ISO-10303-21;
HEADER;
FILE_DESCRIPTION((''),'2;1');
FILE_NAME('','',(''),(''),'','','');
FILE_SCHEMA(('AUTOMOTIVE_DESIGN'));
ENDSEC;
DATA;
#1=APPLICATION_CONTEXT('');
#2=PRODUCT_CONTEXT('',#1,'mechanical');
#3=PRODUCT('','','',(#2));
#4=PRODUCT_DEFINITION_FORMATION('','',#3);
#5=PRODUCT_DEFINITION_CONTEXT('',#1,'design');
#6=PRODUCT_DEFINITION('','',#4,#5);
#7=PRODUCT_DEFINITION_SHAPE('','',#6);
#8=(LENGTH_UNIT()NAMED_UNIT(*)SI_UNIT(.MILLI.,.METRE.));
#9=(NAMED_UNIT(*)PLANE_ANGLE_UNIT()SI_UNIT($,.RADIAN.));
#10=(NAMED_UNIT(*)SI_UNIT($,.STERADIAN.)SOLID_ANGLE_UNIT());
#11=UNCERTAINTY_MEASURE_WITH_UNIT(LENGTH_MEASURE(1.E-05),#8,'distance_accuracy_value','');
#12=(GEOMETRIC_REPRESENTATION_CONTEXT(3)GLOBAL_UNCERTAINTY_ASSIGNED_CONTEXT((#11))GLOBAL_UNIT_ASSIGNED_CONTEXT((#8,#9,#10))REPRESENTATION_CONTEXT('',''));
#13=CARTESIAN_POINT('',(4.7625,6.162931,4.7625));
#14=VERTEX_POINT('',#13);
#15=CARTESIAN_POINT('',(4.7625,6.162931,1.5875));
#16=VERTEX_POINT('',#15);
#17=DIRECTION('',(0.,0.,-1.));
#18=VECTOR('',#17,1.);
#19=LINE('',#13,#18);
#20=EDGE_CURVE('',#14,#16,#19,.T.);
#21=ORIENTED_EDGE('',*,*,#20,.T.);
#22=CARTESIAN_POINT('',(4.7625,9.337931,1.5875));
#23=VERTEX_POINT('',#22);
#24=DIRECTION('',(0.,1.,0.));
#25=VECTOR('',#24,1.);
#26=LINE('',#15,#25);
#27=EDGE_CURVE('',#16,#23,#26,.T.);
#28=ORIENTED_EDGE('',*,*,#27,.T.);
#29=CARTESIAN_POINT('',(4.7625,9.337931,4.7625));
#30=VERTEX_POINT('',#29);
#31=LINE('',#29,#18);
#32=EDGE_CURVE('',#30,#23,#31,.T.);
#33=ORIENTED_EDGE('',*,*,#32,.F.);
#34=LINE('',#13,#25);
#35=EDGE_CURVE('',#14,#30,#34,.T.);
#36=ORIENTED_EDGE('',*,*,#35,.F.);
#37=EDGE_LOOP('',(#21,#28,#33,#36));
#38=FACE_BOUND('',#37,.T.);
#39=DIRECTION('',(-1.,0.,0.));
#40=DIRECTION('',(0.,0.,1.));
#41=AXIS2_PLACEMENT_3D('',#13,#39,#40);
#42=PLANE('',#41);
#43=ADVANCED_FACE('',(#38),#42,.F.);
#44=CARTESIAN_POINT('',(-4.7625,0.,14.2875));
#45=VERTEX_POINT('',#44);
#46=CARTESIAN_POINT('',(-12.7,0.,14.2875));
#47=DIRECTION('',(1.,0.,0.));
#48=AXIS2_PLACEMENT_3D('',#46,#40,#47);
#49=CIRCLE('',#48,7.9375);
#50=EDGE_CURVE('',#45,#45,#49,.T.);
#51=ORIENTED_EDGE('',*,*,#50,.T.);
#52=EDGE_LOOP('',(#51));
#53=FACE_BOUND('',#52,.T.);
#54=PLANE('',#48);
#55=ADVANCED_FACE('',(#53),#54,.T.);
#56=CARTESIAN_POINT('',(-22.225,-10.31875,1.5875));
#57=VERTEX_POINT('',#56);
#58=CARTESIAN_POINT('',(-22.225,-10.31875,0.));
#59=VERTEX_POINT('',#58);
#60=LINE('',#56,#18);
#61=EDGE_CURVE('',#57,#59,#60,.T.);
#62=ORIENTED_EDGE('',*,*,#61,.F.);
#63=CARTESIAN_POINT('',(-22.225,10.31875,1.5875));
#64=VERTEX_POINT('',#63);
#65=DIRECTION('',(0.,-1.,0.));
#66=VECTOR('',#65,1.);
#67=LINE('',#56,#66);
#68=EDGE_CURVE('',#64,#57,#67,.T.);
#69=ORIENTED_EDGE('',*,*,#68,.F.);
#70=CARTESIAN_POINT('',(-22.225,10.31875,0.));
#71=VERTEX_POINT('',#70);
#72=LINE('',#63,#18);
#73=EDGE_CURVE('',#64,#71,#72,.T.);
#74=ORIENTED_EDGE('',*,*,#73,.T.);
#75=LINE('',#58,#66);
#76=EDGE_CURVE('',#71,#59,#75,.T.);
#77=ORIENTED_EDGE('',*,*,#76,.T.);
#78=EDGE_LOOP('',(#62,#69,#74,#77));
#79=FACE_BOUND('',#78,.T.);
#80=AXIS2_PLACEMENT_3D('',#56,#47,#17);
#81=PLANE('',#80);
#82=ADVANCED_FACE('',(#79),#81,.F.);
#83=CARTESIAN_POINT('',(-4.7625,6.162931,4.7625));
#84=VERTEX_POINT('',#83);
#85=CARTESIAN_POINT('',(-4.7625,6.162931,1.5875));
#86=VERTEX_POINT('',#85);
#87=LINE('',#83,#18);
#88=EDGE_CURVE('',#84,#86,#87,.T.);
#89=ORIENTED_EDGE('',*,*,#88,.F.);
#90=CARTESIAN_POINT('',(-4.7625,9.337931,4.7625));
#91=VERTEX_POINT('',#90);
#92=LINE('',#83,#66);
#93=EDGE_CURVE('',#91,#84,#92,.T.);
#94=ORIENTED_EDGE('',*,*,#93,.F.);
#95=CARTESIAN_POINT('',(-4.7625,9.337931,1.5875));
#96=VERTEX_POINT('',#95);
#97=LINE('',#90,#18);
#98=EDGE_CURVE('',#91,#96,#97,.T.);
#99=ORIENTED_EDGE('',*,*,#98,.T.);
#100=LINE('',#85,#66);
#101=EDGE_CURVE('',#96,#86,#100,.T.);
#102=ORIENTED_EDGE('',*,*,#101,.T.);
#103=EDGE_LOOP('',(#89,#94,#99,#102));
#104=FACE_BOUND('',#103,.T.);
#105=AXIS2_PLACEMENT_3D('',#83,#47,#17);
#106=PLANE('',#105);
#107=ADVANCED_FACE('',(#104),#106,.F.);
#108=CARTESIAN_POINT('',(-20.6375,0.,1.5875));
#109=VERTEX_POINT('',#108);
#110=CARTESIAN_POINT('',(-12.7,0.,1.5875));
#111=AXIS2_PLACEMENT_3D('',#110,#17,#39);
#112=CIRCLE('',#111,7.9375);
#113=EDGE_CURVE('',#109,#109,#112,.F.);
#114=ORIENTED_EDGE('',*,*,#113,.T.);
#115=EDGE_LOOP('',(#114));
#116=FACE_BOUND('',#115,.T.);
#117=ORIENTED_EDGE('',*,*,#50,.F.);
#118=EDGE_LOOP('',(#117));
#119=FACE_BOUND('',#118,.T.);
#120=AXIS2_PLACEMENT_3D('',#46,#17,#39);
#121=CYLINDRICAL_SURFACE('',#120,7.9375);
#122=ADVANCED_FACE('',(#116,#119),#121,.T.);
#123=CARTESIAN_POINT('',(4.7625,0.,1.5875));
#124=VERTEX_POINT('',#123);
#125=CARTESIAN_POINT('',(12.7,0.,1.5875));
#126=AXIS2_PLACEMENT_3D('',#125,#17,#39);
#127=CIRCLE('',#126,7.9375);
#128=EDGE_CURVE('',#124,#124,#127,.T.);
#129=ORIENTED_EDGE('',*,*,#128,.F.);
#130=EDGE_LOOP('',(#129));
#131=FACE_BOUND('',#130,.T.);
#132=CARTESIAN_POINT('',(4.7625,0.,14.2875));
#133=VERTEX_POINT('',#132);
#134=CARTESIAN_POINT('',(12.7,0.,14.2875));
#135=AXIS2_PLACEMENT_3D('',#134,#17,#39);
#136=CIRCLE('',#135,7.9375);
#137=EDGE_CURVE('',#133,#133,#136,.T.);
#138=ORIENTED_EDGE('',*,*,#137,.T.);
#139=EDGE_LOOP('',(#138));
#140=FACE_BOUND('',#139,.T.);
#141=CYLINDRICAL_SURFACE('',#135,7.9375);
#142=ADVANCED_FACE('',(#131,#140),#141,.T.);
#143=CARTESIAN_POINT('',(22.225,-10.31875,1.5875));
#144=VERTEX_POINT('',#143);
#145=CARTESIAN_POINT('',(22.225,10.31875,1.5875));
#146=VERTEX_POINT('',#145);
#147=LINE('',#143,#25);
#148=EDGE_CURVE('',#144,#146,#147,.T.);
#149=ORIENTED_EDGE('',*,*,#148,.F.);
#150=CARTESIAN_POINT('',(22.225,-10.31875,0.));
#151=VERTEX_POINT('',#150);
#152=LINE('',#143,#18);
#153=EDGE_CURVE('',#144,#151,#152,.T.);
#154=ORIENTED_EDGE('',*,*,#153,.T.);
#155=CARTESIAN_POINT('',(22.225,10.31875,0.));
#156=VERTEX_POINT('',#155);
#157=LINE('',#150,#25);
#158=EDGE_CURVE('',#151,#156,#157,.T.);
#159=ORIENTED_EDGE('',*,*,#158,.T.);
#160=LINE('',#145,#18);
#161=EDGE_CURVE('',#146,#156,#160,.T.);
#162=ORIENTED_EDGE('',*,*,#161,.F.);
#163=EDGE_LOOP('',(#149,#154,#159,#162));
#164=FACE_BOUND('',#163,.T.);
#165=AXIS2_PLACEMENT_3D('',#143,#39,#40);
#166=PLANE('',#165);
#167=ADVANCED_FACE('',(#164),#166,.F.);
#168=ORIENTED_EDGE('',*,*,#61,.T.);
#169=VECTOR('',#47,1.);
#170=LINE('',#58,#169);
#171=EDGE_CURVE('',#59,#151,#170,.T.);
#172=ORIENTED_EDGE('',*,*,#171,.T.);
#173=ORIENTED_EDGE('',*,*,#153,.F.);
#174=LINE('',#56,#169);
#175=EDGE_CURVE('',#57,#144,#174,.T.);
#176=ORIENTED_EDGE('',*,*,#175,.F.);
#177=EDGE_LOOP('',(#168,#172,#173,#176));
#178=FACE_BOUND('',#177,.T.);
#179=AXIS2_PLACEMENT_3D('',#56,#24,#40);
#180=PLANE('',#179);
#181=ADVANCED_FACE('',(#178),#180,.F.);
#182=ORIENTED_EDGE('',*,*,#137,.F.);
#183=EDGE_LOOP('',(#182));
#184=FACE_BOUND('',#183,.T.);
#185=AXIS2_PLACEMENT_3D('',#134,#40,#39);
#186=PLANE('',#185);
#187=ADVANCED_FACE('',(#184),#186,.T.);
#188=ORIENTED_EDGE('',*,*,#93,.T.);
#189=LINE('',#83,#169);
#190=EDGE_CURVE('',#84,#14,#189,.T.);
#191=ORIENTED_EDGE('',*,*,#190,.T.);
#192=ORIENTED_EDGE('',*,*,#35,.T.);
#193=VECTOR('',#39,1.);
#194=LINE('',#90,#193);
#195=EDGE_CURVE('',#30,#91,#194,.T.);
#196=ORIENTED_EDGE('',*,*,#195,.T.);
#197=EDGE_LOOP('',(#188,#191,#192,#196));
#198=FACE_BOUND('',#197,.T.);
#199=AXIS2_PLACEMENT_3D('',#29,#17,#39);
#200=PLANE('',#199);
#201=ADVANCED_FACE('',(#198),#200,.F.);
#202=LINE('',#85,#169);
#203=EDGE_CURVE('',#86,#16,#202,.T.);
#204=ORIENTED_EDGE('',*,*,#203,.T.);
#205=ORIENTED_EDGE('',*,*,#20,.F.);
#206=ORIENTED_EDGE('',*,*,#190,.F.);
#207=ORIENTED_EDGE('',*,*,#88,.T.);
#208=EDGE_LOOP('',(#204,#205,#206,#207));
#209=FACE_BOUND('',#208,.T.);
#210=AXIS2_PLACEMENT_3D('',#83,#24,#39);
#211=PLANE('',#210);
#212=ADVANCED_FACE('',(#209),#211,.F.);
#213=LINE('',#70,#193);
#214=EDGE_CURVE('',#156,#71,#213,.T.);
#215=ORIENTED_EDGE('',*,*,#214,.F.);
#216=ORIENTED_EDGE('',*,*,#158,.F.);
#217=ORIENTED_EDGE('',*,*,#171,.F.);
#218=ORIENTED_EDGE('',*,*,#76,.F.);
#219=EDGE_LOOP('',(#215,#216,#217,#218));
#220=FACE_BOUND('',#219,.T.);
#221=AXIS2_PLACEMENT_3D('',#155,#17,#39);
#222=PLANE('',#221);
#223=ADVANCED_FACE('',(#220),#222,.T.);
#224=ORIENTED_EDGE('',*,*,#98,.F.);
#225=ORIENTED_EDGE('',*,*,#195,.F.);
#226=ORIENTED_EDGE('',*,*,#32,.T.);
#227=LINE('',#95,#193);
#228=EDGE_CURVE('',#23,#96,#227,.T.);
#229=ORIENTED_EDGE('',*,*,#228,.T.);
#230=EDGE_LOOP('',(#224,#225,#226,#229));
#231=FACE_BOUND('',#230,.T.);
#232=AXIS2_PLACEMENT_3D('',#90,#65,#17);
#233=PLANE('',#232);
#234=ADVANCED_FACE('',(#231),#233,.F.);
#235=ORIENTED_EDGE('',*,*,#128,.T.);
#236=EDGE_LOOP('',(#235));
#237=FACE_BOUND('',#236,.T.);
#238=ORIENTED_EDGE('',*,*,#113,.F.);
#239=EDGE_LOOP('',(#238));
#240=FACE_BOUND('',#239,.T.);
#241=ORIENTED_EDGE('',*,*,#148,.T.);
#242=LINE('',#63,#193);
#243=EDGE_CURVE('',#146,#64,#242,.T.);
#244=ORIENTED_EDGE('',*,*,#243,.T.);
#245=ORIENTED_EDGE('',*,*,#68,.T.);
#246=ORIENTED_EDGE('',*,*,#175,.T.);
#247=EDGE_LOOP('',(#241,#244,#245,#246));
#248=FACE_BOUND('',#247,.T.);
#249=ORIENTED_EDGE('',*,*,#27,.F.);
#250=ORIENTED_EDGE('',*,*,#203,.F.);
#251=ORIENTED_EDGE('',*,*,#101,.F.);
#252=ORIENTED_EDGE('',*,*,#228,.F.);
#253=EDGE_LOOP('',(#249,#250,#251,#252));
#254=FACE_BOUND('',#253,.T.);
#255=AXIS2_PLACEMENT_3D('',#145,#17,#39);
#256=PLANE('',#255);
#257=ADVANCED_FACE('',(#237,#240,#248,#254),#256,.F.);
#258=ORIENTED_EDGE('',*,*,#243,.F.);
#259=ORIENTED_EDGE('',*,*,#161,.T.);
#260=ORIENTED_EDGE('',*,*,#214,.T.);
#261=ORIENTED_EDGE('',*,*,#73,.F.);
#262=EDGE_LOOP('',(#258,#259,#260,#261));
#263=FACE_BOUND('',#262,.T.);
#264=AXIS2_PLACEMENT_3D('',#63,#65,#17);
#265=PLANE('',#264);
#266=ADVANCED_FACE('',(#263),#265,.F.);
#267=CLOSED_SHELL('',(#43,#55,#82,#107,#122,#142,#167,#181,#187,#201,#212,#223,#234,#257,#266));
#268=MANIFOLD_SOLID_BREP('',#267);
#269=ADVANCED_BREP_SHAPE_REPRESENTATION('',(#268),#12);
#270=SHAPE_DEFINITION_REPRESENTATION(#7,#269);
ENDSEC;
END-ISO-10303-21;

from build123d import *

# Parameters (mm, degrees)
SKETCH1_W           = 44.45
SKETCH1_H           = 20.6375
BOSS_EXTRUDE1_DEPTH = 1.5875
SKETCH2_R           = 7.9375
BOSS_EXTRUDE2_DEPTH = 12.7
SKETCH3_W           = 9.525
SKETCH3_H           = 3.175
BOSS_EXTRUDE3_DEPTH = 3.175


with BuildPart() as part:
    # Sketch1 → Boss-Extrude1 (new body)
    with BuildSketch(Plane.XY):
        Rectangle(SKETCH1_W, SKETCH1_H)
    extrude(amount=BOSS_EXTRUDE1_DEPTH)

    # Sketch2 → Boss-Extrude2 (add)
    with BuildSketch(Plane.XY.offset(1.5875)):
        with Locations((-12.7, 0)):
            Circle(SKETCH2_R)
    boss_extrude2 = extrude(amount=BOSS_EXTRUDE2_DEPTH)

    # Mirror1: Boss-Extrude2 across plane
    add(boss_extrude2.mirror(Plane(origin=(0, 0, 0), x_dir=(0, 0, 1), z_dir=(1, 0, 0))))

    # Sketch3 → Boss-Extrude3 (add)
    with BuildSketch(Plane.XY.offset(1.5875)):
        with Locations((0, 7.750431081)):
            Rectangle(SKETCH3_W, SKETCH3_H)
    extrude(amount=BOSS_EXTRUDE3_DEPTH)


solid = part.part
